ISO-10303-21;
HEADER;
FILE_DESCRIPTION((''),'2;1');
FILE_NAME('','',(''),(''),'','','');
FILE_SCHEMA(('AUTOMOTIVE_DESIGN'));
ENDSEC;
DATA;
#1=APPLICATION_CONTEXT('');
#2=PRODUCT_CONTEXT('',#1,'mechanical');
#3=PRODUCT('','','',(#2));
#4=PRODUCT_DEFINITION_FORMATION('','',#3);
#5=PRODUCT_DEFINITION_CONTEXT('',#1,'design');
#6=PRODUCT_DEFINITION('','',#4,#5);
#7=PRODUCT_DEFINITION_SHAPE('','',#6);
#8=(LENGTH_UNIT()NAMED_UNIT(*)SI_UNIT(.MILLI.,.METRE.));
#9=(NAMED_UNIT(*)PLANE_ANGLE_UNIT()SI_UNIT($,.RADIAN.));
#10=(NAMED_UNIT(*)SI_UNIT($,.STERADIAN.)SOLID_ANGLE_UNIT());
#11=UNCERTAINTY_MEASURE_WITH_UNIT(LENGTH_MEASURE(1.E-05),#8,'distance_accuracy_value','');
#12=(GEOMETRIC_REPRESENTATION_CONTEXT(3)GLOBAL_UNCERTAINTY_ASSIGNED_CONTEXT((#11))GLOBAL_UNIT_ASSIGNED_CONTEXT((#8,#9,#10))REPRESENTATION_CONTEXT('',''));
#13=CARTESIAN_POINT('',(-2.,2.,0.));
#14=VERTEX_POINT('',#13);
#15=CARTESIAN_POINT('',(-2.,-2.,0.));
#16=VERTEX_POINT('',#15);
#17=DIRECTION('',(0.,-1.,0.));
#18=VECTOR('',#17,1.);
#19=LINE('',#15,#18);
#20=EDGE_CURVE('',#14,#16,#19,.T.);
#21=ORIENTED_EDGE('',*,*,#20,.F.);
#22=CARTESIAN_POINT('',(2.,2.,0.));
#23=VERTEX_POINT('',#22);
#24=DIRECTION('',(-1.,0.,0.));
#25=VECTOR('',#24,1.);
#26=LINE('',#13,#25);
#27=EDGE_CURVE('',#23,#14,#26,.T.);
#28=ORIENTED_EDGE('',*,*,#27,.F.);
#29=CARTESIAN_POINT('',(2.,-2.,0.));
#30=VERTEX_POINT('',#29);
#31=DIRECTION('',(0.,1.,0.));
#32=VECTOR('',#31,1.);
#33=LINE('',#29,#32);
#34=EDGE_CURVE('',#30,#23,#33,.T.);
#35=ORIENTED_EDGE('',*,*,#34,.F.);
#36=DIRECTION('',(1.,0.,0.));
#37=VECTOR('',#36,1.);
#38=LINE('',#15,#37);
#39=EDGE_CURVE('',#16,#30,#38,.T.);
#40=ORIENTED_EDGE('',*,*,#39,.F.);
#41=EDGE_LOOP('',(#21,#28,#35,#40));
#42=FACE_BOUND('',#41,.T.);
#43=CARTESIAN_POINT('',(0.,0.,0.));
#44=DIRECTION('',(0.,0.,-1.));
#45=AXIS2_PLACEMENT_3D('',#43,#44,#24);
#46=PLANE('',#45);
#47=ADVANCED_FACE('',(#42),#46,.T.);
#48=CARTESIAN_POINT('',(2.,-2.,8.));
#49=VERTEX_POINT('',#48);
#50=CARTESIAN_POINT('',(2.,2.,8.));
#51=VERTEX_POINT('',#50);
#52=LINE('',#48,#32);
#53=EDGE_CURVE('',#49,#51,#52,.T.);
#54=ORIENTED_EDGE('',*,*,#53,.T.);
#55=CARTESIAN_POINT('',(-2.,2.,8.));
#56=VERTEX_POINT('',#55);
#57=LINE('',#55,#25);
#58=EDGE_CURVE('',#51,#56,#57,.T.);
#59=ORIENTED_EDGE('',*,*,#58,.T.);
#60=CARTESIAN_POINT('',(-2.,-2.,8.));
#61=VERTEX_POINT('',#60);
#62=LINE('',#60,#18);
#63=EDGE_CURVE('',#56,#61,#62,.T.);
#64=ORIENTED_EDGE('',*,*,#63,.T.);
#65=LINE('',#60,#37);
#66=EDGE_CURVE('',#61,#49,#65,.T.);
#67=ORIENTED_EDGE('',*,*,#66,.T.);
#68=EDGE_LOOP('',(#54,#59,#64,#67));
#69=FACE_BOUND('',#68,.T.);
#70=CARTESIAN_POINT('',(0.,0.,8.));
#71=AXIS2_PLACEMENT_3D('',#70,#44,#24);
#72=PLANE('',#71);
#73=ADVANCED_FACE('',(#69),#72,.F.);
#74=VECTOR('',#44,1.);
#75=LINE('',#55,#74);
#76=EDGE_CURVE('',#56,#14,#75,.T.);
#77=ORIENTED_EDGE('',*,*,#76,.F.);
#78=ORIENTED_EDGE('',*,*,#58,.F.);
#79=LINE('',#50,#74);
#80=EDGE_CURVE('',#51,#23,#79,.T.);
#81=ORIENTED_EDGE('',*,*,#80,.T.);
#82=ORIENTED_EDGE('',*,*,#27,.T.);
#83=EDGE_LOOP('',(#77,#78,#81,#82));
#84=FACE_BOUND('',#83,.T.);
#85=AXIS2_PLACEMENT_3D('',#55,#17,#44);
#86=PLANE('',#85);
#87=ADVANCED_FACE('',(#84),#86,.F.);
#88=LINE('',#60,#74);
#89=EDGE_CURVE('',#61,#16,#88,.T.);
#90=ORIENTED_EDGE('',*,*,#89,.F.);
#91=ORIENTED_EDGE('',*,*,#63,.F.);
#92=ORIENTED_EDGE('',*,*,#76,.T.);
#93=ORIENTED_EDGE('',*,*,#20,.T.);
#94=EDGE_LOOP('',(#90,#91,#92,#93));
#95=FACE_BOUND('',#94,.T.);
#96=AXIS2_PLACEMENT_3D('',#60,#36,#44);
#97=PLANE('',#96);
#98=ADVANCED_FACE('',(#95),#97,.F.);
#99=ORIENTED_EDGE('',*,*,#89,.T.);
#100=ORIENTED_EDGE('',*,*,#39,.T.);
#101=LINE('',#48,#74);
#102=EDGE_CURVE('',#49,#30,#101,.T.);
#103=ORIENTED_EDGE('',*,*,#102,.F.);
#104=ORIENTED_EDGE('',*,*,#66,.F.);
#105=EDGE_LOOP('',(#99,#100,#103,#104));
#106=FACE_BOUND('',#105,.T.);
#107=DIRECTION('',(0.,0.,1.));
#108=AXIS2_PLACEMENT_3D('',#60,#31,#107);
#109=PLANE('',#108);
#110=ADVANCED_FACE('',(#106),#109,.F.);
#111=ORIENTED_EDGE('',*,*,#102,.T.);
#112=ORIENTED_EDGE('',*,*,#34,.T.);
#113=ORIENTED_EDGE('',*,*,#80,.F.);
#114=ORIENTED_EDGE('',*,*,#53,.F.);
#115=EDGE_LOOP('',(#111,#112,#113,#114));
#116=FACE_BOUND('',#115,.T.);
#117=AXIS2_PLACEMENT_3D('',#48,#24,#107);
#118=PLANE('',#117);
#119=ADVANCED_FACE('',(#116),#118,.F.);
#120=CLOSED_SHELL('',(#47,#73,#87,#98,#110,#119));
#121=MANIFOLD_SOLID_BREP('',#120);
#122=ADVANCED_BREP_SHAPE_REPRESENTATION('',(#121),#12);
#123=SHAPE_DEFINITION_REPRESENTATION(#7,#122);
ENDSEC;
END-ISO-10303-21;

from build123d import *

# Parameters (mm, degrees)
SKETCH1_W           = 4
SKETCH1_H           = 4
BOSS_EXTRUDE1_DEPTH = 8


with BuildPart() as part:
    # Sketch1 → Boss-Extrude1 (new body)
    with BuildSketch(Plane.XY):
        Rectangle(SKETCH1_W, SKETCH1_H)
    extrude(amount=BOSS_EXTRUDE1_DEPTH)


solid = part.part
